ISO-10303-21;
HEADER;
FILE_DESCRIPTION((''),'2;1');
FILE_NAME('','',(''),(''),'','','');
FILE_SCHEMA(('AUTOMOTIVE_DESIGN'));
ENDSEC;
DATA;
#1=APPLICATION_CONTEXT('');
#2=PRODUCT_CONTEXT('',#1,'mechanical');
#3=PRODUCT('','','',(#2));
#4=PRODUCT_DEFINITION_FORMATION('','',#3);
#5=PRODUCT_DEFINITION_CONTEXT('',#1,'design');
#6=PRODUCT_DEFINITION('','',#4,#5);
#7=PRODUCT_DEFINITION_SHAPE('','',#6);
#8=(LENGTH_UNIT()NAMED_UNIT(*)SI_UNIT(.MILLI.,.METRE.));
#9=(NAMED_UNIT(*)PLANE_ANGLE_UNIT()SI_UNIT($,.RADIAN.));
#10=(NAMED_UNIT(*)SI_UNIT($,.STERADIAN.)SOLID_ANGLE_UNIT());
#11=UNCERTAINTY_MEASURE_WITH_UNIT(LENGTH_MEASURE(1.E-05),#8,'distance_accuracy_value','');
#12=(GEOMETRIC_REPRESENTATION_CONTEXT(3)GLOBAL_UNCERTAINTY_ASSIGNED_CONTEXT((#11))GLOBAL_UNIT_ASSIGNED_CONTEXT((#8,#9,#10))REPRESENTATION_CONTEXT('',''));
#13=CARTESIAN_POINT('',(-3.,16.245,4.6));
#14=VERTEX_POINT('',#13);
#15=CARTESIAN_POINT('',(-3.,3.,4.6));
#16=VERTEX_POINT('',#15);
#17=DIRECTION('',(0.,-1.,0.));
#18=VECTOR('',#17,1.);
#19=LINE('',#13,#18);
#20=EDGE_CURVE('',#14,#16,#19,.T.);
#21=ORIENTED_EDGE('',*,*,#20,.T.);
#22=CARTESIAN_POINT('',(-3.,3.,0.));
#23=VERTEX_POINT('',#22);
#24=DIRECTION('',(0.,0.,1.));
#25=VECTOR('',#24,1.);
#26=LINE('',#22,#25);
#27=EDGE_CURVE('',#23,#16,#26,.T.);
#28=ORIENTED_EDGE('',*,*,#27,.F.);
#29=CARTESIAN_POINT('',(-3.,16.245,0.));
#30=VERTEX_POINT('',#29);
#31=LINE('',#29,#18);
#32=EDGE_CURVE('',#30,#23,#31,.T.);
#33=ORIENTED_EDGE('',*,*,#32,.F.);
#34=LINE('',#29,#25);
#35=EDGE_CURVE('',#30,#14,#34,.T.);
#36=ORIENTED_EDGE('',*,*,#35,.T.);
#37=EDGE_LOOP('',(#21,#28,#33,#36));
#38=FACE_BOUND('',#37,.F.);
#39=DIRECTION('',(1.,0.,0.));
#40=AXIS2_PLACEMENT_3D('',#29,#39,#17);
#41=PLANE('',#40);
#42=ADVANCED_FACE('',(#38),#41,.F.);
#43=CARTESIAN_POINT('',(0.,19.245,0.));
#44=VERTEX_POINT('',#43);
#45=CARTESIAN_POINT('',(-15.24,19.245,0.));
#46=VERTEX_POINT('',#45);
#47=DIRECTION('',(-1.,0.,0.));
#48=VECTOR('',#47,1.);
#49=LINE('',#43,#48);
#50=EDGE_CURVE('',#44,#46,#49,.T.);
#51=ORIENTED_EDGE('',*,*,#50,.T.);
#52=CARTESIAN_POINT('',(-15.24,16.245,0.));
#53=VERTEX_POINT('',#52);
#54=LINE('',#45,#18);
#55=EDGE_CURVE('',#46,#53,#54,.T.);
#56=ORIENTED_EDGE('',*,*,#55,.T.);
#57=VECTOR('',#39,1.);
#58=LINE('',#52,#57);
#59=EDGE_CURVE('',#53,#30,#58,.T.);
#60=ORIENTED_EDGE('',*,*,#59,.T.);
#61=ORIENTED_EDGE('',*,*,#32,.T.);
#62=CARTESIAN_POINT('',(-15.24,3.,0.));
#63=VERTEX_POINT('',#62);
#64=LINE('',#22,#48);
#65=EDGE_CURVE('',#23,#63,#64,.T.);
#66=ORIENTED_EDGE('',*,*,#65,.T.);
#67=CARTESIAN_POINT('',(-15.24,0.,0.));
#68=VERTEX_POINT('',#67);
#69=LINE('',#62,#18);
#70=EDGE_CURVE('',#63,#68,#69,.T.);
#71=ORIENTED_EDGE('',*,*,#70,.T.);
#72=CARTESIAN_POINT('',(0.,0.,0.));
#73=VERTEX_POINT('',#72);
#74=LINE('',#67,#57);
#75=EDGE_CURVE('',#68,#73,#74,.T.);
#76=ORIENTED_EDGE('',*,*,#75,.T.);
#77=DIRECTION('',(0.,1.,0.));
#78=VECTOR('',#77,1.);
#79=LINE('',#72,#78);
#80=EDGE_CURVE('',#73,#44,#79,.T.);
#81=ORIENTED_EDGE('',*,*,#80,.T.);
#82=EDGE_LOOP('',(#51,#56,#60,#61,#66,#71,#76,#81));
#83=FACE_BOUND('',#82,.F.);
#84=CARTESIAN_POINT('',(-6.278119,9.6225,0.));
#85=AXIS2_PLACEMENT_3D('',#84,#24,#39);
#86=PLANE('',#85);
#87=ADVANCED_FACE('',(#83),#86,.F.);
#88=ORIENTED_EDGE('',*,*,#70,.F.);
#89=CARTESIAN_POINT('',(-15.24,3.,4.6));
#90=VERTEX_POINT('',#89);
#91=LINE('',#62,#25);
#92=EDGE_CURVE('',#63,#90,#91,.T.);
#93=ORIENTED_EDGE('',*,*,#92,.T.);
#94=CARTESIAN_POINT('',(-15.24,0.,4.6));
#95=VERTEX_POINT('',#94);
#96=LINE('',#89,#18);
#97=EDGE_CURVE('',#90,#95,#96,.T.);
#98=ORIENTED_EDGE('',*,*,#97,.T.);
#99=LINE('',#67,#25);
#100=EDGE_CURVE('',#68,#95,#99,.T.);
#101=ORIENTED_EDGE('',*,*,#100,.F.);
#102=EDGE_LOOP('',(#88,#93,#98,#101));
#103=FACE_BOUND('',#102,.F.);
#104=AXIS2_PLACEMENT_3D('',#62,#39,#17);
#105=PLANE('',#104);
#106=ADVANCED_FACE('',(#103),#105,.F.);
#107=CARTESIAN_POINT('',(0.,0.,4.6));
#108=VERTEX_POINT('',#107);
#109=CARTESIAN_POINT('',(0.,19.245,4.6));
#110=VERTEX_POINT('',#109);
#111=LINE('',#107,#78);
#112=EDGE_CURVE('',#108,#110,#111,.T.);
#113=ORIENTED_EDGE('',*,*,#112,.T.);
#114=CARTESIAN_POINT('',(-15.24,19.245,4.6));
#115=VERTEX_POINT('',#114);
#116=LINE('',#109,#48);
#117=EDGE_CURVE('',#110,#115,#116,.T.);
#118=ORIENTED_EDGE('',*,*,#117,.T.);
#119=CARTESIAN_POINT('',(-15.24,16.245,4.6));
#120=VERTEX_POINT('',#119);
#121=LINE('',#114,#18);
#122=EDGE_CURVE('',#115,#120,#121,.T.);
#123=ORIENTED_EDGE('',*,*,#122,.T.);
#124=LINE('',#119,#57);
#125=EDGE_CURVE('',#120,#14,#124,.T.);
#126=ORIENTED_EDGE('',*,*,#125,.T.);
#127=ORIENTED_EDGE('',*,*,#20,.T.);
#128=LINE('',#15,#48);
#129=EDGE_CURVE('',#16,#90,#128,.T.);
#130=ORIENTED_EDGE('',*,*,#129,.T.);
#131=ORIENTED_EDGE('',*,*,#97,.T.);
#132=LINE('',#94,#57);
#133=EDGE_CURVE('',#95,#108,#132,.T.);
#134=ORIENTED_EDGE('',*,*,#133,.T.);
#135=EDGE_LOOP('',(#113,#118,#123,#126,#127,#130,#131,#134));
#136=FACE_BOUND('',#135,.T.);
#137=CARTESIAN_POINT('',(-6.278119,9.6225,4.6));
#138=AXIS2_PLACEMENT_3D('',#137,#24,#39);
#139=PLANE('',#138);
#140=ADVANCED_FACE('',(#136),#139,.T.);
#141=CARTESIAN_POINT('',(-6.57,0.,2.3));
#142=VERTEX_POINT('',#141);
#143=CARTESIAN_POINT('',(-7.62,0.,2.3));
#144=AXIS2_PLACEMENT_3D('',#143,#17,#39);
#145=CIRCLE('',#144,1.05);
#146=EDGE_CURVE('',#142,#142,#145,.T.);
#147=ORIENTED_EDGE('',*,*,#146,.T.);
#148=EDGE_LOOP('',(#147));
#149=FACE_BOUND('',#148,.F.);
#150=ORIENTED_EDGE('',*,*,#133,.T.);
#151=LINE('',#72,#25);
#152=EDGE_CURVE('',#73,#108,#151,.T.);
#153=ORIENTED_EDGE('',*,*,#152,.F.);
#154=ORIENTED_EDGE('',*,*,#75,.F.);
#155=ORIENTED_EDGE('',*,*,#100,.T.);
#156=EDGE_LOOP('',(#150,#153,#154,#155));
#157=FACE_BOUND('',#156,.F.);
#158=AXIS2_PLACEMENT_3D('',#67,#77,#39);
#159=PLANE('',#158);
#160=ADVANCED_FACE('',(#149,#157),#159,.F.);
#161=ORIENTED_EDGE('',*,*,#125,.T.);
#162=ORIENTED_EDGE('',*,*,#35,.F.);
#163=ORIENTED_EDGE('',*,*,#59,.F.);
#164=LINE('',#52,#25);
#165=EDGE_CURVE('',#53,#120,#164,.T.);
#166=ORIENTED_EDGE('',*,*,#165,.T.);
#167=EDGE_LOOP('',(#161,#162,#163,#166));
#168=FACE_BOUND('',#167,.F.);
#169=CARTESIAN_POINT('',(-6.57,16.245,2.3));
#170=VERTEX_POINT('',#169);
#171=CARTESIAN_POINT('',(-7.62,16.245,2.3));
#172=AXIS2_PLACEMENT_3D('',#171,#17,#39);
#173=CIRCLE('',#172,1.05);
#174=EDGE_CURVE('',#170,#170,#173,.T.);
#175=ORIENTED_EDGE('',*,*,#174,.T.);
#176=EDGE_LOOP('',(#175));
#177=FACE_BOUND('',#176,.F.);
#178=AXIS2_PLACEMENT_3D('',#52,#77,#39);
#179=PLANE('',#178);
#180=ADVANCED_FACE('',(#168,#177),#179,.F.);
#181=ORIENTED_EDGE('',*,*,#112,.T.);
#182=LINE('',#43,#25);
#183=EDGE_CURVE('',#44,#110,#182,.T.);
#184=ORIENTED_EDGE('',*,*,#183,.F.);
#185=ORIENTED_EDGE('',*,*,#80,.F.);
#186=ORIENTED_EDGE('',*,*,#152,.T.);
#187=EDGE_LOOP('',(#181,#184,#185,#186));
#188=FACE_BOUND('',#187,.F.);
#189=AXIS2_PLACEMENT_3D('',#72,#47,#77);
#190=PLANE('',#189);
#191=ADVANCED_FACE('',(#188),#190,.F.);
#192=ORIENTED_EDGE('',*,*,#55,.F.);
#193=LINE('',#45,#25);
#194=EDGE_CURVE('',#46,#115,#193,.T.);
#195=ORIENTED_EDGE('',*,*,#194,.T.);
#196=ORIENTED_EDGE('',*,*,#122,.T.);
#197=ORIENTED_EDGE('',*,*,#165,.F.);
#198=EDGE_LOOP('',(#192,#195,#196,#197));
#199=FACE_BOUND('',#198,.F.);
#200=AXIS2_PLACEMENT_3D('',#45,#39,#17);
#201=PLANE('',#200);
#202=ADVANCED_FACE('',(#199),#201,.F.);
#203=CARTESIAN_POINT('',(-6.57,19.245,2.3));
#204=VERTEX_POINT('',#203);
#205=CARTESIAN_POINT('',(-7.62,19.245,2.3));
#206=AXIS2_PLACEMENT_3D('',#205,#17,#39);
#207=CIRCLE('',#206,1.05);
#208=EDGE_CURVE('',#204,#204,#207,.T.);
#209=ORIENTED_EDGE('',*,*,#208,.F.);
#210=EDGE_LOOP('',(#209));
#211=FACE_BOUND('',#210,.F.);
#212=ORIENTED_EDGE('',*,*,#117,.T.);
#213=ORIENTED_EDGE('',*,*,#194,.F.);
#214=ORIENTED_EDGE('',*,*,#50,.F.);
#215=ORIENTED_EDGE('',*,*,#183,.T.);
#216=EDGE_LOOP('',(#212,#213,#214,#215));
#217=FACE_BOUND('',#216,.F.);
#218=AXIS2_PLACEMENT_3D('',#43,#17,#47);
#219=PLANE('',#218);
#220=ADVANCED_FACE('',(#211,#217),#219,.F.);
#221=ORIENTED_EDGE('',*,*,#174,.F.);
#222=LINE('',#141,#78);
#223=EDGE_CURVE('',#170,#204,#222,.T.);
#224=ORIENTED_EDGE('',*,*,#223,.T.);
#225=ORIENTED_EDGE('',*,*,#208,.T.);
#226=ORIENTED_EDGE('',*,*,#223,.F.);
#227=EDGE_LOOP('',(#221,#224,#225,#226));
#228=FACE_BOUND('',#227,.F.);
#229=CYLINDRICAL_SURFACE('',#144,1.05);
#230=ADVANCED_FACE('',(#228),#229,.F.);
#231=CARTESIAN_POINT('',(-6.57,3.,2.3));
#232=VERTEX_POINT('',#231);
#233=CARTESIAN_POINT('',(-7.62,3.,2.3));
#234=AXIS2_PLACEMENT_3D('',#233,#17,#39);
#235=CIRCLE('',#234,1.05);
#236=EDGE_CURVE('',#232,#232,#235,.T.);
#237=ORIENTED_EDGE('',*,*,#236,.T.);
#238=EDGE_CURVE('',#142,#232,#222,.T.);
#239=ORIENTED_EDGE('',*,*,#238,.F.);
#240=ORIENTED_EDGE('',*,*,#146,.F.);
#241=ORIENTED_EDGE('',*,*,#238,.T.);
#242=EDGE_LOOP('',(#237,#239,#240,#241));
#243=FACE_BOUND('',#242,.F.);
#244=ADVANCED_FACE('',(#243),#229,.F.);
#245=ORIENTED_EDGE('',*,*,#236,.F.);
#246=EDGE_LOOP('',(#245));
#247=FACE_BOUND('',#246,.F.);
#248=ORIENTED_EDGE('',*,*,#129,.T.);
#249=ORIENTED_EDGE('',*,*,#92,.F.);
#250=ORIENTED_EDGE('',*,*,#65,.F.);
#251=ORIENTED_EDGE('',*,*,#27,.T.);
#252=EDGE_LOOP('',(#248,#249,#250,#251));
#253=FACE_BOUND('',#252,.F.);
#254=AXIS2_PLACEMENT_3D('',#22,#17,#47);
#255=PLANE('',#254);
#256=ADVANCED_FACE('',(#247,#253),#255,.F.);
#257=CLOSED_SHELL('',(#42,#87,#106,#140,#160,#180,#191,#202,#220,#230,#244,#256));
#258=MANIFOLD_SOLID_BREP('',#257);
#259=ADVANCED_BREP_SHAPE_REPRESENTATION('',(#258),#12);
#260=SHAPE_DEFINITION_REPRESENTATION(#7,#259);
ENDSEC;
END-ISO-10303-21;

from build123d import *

# Parameters (mm, degrees)
F1_DEPTH = 4.6
F2_R     = 1.05
F3_DEPTH = 25


with BuildPart() as f1:
    # F0 (on Top) → F1 (new body)
    with BuildSketch(Plane.XY):
        Polygon((-15.24, 0), (0, 0), (0, 19.245), (-15.24, 19.245), (-15.24, 16.245), (-3, 16.245), (-3, 3), (-15.24, 3), align=None)
    extrude(amount=F1_DEPTH)

    # F2 (on face) → F3 (cut)
    with BuildSketch(Plane.XZ):
        with Locations((-7.62, 2.3)):
            Circle(F2_R)
    extrude(amount=-F3_DEPTH, mode=Mode.SUBTRACT)


solid = f1.part
